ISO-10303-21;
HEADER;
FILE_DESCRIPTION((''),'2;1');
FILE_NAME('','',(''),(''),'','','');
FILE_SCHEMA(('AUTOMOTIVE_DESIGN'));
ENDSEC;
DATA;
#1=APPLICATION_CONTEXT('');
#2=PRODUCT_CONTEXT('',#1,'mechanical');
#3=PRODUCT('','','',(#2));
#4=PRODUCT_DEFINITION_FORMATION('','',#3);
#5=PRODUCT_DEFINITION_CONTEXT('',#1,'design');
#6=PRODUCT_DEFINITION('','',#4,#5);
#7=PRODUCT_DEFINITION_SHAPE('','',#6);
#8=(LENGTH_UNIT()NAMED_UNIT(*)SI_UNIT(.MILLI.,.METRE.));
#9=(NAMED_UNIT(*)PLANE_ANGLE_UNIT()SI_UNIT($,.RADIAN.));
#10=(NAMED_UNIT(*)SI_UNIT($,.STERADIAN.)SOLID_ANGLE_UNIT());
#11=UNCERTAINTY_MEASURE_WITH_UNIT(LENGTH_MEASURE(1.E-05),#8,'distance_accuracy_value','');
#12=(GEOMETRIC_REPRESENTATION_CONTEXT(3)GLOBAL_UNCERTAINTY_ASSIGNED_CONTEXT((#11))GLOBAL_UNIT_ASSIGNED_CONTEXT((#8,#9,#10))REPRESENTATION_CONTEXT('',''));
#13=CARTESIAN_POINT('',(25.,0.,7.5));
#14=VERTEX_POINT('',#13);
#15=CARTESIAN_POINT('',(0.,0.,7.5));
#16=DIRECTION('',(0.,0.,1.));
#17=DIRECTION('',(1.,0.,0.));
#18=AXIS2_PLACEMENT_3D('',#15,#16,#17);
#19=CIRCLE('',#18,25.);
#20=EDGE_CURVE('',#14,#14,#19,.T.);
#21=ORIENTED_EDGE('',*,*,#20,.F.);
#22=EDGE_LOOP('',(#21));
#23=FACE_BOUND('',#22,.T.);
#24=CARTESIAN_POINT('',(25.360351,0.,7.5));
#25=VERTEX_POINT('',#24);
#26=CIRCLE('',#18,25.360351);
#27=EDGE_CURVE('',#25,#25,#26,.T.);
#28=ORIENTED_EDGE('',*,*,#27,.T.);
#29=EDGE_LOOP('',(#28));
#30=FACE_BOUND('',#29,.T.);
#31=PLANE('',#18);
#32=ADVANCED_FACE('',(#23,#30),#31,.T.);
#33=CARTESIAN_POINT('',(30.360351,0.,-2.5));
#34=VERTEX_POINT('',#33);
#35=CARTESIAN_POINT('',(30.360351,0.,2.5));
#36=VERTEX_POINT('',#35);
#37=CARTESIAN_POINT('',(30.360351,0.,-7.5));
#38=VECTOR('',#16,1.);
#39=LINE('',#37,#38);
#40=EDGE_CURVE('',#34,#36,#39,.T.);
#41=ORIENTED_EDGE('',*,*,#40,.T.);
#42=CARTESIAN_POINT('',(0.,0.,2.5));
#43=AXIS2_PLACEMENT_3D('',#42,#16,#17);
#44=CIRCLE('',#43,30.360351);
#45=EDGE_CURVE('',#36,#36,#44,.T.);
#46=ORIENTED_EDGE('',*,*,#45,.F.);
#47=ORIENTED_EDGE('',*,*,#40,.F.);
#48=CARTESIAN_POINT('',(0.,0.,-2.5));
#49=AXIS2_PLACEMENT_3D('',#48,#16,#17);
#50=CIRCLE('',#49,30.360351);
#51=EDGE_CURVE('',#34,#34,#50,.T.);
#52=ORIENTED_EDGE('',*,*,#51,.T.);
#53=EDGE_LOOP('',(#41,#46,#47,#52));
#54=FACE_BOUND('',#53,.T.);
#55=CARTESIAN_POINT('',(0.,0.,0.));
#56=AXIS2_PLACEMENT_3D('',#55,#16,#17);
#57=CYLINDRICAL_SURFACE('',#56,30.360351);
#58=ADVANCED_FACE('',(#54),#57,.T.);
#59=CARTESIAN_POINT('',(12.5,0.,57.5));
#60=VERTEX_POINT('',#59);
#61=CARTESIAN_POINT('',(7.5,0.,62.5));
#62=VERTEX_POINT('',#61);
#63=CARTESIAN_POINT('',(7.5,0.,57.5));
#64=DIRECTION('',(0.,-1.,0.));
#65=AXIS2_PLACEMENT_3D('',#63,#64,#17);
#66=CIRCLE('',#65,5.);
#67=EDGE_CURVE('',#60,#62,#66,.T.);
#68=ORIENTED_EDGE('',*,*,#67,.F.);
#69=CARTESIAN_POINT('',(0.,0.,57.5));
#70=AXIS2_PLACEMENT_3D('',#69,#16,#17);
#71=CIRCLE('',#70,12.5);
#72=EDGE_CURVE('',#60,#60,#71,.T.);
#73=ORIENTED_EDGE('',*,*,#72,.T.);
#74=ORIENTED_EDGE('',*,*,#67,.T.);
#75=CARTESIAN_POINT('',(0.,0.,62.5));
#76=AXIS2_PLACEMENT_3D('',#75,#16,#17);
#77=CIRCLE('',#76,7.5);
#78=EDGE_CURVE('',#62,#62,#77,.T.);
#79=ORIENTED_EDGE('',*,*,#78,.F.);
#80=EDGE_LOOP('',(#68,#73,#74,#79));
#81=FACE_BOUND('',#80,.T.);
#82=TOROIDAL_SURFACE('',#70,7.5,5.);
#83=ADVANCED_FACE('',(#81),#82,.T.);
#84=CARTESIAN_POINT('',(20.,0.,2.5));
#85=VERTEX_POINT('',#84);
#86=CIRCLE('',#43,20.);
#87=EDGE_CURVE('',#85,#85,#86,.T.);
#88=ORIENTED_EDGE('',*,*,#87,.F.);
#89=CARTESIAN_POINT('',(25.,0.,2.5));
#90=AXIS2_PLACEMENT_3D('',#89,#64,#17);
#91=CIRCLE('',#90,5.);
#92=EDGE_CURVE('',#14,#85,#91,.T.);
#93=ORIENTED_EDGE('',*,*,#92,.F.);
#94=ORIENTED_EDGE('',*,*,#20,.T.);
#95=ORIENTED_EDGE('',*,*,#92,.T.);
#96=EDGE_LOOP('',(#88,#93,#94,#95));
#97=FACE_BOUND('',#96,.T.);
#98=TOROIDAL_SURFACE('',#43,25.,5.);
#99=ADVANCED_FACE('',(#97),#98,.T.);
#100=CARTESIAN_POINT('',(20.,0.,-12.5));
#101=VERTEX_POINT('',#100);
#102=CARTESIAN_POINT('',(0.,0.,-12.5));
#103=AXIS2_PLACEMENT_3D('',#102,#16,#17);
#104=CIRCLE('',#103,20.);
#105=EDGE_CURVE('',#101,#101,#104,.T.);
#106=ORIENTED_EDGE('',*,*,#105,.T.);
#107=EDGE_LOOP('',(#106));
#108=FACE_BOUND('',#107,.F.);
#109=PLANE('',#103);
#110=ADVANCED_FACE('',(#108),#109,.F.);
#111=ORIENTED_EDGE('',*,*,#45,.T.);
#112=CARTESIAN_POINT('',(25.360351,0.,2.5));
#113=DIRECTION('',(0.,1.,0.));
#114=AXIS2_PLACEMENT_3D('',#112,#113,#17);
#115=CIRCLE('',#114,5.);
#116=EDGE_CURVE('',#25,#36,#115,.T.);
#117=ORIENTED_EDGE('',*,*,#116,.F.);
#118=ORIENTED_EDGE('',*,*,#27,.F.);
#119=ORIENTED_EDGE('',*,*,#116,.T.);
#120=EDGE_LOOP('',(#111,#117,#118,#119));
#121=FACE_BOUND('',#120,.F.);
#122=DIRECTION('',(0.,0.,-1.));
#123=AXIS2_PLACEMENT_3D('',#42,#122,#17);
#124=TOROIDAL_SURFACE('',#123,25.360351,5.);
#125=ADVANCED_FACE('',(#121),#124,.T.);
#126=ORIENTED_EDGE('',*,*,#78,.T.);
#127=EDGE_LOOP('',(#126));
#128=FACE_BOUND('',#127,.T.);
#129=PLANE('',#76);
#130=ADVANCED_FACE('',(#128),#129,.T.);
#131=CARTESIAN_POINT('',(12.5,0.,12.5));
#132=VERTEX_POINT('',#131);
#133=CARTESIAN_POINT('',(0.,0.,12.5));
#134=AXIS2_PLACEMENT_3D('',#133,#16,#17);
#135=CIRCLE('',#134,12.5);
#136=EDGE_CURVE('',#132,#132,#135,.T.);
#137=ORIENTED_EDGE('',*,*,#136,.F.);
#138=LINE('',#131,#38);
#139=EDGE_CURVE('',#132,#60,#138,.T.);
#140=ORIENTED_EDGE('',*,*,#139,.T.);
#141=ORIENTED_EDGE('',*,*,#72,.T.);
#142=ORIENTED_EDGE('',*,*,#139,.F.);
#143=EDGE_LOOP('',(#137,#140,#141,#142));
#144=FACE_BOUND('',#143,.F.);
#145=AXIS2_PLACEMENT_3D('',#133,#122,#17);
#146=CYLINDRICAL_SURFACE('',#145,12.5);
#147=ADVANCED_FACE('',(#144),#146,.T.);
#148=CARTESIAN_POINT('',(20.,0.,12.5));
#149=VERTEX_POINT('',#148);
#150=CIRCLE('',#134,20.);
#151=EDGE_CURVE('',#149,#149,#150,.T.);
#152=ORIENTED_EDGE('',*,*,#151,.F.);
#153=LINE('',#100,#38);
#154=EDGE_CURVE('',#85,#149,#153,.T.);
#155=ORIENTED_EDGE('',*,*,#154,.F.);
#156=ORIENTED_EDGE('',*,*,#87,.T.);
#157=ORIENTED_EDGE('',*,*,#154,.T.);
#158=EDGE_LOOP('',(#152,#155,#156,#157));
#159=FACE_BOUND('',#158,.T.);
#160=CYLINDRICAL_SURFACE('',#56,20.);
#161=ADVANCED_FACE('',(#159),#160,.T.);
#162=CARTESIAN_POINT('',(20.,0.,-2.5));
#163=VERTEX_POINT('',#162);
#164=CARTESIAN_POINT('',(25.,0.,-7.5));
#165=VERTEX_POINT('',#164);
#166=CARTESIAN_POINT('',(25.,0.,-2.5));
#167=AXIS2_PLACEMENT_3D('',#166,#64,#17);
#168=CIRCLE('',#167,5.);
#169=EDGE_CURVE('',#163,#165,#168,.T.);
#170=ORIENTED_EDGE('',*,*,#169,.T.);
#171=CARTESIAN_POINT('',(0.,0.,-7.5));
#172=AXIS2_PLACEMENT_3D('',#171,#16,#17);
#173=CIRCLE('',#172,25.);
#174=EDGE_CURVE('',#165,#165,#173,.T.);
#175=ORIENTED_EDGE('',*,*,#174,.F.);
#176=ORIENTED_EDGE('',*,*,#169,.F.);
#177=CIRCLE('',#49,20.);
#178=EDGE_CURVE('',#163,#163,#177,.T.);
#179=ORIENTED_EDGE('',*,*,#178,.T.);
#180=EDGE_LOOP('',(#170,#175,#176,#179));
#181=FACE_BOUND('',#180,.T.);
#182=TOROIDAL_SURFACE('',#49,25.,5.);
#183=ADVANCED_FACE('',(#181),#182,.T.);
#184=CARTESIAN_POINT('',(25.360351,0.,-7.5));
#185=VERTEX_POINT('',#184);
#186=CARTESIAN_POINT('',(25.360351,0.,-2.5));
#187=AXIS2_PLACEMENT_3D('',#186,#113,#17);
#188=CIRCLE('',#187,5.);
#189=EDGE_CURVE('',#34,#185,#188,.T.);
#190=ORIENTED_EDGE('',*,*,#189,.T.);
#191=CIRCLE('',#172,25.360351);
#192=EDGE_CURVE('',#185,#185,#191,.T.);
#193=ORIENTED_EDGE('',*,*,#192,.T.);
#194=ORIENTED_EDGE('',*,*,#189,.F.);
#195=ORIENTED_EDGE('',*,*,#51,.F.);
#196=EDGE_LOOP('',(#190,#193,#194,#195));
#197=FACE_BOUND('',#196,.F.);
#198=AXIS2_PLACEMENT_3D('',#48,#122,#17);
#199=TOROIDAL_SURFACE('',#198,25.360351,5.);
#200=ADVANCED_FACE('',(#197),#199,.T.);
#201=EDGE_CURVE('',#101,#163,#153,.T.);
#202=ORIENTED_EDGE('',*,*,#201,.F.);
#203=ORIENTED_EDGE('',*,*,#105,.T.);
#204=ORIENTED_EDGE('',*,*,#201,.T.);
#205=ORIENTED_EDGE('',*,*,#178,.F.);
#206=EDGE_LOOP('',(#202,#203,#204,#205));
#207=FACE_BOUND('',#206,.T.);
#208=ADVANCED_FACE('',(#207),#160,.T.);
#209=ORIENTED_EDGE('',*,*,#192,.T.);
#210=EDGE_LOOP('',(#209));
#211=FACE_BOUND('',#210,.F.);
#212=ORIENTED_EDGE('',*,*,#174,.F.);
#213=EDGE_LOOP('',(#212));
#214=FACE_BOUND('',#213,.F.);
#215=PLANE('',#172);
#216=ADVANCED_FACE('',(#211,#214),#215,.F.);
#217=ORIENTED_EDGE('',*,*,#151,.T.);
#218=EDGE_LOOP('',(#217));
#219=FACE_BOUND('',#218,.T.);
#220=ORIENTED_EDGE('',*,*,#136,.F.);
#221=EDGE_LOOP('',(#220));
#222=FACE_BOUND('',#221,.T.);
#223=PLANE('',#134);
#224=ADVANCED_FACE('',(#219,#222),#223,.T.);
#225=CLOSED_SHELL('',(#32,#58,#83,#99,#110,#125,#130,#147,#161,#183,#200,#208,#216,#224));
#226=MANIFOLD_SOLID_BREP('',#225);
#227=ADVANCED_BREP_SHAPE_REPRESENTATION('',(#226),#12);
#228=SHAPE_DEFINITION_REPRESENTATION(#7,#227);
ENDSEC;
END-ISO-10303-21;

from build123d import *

# Parameters (mm, degrees)
F0_R     = 30.360351
F0_R_2   = 20
F1_DEPTH = 7.5
F2_R     = 5
F3_R     = 5
F4_R     = 5
F5_DEPTH = 12.5
F6_R     = 12.5
F7_DEPTH = 50
F8_R     = 5


with BuildPart() as f1:
    # F0 (on Top) → F1 (new body, symmetric)
    with BuildSketch(Plane.XY):
        Circle(F0_R)
        Circle(F0_R_2, mode=Mode.SUBTRACT)
    extrude(amount=F1_DEPTH, both=True)

    # F2
    f2_edges = [f1.edges().sort_by_distance(p)[0] for p in [
        (-30.360351, 0, -7.5),
        (-20, 0, -7.5),
    ]]
    fillet(f2_edges, radius=F2_R)

    # F3
    f3_edges = [f1.edges().sort_by_distance(p)[0] for p in [
        (-20, 0, 7.5),
    ]]
    fillet(f3_edges, radius=F3_R)

    # F4
    f4_edges = [f1.edges().sort_by_distance(p)[0] for p in [
        (-30.360351, 0, 7.5),
    ]]
    fillet(f4_edges, radius=F4_R)

    # F0 (on Top) → F5 (join, symmetric)
    with BuildSketch(Plane.XY):
        Circle(F0_R_2)
    extrude(amount=F5_DEPTH, both=True)

    # F6 (on face) → F7 (join)
    with BuildSketch(Plane.XY.offset(12.5)):
        Circle(F6_R)
    extrude(amount=F7_DEPTH)

    # F8
    f8_edges = [f1.edges().sort_by_distance(p)[0] for p in [
        (-12.5, 0, 62.5),
    ]]
    fillet(f8_edges, radius=F8_R)


solid = f1.part
